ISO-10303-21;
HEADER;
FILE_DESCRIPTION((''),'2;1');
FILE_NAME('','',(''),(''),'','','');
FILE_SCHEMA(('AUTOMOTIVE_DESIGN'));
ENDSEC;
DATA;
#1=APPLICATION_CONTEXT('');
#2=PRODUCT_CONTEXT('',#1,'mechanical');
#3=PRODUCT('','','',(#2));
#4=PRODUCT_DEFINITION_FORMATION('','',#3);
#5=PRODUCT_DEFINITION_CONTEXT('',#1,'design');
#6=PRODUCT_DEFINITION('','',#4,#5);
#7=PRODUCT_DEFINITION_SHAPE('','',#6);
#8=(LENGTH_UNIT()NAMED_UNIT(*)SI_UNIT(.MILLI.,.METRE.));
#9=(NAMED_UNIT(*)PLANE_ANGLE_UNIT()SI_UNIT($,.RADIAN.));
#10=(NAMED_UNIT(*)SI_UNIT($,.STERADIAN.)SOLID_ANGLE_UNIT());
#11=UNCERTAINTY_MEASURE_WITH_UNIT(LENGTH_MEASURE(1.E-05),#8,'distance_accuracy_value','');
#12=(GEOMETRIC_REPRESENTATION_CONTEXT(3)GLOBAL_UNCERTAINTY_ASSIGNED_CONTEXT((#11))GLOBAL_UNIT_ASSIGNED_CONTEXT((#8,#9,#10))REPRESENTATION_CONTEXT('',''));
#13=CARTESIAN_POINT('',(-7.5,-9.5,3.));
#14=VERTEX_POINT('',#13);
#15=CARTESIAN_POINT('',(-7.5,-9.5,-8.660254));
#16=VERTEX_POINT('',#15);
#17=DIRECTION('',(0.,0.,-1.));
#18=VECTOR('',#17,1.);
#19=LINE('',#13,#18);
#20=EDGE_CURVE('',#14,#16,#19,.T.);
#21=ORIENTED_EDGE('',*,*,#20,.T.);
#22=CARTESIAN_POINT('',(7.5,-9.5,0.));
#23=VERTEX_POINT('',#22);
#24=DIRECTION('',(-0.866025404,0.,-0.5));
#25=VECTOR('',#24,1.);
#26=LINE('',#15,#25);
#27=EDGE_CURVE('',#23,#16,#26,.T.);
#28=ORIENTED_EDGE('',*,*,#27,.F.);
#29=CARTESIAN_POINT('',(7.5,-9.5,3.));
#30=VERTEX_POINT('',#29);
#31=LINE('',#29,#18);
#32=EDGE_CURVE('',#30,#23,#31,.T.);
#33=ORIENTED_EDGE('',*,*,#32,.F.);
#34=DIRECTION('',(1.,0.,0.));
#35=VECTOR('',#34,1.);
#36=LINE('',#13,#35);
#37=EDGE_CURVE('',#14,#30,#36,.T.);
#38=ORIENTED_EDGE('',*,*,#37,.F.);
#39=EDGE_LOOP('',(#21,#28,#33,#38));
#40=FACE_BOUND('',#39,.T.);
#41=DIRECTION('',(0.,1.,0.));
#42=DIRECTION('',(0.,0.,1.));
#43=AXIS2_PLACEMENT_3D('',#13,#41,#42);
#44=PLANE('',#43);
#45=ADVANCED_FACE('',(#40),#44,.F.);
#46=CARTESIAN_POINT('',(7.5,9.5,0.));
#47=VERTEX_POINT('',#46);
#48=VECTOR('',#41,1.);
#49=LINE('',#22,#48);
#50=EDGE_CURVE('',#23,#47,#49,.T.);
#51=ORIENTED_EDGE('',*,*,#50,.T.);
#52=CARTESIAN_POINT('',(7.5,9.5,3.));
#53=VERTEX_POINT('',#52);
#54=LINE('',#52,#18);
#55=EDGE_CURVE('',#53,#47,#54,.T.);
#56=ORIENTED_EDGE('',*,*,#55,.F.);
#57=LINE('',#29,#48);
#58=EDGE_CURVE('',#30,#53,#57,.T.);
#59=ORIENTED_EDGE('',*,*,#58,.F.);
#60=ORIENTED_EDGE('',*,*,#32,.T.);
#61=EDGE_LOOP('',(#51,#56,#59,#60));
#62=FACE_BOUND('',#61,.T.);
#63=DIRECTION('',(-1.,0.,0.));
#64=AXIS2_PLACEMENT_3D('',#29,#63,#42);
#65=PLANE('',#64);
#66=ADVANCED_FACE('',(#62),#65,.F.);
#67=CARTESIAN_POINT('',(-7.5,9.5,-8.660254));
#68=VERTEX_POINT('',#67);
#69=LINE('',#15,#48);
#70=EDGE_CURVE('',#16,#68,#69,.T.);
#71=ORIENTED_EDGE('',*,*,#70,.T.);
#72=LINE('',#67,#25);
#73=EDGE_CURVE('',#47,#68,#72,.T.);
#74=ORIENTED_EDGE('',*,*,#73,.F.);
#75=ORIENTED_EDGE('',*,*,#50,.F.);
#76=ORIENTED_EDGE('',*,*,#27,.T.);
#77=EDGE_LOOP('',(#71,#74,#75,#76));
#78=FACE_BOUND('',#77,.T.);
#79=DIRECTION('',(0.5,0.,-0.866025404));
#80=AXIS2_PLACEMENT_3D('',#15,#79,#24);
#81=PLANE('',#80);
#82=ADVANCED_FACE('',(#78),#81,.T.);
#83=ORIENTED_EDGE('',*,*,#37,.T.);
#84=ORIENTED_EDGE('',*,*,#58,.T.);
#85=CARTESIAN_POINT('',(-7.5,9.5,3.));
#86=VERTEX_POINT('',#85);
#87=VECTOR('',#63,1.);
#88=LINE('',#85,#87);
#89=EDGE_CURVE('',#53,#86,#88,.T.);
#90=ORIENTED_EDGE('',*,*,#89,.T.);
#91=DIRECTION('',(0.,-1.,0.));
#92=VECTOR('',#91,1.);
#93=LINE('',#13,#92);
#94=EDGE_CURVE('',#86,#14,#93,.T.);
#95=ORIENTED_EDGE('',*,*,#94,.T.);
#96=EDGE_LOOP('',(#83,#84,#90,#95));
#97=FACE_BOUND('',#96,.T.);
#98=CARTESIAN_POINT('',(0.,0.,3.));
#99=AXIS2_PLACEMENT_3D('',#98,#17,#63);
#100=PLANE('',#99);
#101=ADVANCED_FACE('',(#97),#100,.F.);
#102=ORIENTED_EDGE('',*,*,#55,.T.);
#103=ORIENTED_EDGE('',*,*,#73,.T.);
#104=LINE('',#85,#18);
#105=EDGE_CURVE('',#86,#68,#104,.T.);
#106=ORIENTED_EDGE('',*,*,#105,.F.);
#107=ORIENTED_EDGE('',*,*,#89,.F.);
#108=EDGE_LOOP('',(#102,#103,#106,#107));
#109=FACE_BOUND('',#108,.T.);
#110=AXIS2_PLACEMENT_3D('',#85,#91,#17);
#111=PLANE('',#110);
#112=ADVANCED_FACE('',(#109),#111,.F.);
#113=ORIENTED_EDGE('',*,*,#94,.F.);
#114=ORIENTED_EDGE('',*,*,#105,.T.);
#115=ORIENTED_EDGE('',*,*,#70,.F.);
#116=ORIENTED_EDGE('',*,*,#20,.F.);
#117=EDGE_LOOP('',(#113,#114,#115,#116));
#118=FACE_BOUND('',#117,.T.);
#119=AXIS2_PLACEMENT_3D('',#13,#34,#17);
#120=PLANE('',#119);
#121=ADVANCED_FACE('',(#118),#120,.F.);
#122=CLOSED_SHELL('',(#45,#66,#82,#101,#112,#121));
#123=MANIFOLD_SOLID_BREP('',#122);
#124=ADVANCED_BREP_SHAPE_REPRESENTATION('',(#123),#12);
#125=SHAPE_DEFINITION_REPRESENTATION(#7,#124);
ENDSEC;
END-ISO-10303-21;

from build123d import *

# Parameters (mm, degrees)
SKIZZE1_W                       = 15
SKIZZE1_H                       = 19
AUFSATZ_LINEAR_AUSTRAGEN1_DEPTH = 3
AUFSATZ_LINEAR_AUSTRAGEN2_DEPTH = 19


with BuildPart() as part:
    # Skizze1 → Aufsatz-Linear austragen1 (new body)
    with BuildSketch(Plane.XY):
        Rectangle(SKIZZE1_W, SKIZZE1_H)
    extrude(amount=AUFSATZ_LINEAR_AUSTRAGEN1_DEPTH)

    # Skizze3 → Aufsatz-Linear austragen2 (add)
    with BuildSketch(Plane(origin=(0, 9.5, 0), x_dir=(1, 0, 0), z_dir=(0, 1, 0))):
        Polygon((-7.5, 0), (-7.5, 8.660254038), (7.5, 0), align=None)
    extrude(amount=-AUFSATZ_LINEAR_AUSTRAGEN2_DEPTH)


solid = part.part
